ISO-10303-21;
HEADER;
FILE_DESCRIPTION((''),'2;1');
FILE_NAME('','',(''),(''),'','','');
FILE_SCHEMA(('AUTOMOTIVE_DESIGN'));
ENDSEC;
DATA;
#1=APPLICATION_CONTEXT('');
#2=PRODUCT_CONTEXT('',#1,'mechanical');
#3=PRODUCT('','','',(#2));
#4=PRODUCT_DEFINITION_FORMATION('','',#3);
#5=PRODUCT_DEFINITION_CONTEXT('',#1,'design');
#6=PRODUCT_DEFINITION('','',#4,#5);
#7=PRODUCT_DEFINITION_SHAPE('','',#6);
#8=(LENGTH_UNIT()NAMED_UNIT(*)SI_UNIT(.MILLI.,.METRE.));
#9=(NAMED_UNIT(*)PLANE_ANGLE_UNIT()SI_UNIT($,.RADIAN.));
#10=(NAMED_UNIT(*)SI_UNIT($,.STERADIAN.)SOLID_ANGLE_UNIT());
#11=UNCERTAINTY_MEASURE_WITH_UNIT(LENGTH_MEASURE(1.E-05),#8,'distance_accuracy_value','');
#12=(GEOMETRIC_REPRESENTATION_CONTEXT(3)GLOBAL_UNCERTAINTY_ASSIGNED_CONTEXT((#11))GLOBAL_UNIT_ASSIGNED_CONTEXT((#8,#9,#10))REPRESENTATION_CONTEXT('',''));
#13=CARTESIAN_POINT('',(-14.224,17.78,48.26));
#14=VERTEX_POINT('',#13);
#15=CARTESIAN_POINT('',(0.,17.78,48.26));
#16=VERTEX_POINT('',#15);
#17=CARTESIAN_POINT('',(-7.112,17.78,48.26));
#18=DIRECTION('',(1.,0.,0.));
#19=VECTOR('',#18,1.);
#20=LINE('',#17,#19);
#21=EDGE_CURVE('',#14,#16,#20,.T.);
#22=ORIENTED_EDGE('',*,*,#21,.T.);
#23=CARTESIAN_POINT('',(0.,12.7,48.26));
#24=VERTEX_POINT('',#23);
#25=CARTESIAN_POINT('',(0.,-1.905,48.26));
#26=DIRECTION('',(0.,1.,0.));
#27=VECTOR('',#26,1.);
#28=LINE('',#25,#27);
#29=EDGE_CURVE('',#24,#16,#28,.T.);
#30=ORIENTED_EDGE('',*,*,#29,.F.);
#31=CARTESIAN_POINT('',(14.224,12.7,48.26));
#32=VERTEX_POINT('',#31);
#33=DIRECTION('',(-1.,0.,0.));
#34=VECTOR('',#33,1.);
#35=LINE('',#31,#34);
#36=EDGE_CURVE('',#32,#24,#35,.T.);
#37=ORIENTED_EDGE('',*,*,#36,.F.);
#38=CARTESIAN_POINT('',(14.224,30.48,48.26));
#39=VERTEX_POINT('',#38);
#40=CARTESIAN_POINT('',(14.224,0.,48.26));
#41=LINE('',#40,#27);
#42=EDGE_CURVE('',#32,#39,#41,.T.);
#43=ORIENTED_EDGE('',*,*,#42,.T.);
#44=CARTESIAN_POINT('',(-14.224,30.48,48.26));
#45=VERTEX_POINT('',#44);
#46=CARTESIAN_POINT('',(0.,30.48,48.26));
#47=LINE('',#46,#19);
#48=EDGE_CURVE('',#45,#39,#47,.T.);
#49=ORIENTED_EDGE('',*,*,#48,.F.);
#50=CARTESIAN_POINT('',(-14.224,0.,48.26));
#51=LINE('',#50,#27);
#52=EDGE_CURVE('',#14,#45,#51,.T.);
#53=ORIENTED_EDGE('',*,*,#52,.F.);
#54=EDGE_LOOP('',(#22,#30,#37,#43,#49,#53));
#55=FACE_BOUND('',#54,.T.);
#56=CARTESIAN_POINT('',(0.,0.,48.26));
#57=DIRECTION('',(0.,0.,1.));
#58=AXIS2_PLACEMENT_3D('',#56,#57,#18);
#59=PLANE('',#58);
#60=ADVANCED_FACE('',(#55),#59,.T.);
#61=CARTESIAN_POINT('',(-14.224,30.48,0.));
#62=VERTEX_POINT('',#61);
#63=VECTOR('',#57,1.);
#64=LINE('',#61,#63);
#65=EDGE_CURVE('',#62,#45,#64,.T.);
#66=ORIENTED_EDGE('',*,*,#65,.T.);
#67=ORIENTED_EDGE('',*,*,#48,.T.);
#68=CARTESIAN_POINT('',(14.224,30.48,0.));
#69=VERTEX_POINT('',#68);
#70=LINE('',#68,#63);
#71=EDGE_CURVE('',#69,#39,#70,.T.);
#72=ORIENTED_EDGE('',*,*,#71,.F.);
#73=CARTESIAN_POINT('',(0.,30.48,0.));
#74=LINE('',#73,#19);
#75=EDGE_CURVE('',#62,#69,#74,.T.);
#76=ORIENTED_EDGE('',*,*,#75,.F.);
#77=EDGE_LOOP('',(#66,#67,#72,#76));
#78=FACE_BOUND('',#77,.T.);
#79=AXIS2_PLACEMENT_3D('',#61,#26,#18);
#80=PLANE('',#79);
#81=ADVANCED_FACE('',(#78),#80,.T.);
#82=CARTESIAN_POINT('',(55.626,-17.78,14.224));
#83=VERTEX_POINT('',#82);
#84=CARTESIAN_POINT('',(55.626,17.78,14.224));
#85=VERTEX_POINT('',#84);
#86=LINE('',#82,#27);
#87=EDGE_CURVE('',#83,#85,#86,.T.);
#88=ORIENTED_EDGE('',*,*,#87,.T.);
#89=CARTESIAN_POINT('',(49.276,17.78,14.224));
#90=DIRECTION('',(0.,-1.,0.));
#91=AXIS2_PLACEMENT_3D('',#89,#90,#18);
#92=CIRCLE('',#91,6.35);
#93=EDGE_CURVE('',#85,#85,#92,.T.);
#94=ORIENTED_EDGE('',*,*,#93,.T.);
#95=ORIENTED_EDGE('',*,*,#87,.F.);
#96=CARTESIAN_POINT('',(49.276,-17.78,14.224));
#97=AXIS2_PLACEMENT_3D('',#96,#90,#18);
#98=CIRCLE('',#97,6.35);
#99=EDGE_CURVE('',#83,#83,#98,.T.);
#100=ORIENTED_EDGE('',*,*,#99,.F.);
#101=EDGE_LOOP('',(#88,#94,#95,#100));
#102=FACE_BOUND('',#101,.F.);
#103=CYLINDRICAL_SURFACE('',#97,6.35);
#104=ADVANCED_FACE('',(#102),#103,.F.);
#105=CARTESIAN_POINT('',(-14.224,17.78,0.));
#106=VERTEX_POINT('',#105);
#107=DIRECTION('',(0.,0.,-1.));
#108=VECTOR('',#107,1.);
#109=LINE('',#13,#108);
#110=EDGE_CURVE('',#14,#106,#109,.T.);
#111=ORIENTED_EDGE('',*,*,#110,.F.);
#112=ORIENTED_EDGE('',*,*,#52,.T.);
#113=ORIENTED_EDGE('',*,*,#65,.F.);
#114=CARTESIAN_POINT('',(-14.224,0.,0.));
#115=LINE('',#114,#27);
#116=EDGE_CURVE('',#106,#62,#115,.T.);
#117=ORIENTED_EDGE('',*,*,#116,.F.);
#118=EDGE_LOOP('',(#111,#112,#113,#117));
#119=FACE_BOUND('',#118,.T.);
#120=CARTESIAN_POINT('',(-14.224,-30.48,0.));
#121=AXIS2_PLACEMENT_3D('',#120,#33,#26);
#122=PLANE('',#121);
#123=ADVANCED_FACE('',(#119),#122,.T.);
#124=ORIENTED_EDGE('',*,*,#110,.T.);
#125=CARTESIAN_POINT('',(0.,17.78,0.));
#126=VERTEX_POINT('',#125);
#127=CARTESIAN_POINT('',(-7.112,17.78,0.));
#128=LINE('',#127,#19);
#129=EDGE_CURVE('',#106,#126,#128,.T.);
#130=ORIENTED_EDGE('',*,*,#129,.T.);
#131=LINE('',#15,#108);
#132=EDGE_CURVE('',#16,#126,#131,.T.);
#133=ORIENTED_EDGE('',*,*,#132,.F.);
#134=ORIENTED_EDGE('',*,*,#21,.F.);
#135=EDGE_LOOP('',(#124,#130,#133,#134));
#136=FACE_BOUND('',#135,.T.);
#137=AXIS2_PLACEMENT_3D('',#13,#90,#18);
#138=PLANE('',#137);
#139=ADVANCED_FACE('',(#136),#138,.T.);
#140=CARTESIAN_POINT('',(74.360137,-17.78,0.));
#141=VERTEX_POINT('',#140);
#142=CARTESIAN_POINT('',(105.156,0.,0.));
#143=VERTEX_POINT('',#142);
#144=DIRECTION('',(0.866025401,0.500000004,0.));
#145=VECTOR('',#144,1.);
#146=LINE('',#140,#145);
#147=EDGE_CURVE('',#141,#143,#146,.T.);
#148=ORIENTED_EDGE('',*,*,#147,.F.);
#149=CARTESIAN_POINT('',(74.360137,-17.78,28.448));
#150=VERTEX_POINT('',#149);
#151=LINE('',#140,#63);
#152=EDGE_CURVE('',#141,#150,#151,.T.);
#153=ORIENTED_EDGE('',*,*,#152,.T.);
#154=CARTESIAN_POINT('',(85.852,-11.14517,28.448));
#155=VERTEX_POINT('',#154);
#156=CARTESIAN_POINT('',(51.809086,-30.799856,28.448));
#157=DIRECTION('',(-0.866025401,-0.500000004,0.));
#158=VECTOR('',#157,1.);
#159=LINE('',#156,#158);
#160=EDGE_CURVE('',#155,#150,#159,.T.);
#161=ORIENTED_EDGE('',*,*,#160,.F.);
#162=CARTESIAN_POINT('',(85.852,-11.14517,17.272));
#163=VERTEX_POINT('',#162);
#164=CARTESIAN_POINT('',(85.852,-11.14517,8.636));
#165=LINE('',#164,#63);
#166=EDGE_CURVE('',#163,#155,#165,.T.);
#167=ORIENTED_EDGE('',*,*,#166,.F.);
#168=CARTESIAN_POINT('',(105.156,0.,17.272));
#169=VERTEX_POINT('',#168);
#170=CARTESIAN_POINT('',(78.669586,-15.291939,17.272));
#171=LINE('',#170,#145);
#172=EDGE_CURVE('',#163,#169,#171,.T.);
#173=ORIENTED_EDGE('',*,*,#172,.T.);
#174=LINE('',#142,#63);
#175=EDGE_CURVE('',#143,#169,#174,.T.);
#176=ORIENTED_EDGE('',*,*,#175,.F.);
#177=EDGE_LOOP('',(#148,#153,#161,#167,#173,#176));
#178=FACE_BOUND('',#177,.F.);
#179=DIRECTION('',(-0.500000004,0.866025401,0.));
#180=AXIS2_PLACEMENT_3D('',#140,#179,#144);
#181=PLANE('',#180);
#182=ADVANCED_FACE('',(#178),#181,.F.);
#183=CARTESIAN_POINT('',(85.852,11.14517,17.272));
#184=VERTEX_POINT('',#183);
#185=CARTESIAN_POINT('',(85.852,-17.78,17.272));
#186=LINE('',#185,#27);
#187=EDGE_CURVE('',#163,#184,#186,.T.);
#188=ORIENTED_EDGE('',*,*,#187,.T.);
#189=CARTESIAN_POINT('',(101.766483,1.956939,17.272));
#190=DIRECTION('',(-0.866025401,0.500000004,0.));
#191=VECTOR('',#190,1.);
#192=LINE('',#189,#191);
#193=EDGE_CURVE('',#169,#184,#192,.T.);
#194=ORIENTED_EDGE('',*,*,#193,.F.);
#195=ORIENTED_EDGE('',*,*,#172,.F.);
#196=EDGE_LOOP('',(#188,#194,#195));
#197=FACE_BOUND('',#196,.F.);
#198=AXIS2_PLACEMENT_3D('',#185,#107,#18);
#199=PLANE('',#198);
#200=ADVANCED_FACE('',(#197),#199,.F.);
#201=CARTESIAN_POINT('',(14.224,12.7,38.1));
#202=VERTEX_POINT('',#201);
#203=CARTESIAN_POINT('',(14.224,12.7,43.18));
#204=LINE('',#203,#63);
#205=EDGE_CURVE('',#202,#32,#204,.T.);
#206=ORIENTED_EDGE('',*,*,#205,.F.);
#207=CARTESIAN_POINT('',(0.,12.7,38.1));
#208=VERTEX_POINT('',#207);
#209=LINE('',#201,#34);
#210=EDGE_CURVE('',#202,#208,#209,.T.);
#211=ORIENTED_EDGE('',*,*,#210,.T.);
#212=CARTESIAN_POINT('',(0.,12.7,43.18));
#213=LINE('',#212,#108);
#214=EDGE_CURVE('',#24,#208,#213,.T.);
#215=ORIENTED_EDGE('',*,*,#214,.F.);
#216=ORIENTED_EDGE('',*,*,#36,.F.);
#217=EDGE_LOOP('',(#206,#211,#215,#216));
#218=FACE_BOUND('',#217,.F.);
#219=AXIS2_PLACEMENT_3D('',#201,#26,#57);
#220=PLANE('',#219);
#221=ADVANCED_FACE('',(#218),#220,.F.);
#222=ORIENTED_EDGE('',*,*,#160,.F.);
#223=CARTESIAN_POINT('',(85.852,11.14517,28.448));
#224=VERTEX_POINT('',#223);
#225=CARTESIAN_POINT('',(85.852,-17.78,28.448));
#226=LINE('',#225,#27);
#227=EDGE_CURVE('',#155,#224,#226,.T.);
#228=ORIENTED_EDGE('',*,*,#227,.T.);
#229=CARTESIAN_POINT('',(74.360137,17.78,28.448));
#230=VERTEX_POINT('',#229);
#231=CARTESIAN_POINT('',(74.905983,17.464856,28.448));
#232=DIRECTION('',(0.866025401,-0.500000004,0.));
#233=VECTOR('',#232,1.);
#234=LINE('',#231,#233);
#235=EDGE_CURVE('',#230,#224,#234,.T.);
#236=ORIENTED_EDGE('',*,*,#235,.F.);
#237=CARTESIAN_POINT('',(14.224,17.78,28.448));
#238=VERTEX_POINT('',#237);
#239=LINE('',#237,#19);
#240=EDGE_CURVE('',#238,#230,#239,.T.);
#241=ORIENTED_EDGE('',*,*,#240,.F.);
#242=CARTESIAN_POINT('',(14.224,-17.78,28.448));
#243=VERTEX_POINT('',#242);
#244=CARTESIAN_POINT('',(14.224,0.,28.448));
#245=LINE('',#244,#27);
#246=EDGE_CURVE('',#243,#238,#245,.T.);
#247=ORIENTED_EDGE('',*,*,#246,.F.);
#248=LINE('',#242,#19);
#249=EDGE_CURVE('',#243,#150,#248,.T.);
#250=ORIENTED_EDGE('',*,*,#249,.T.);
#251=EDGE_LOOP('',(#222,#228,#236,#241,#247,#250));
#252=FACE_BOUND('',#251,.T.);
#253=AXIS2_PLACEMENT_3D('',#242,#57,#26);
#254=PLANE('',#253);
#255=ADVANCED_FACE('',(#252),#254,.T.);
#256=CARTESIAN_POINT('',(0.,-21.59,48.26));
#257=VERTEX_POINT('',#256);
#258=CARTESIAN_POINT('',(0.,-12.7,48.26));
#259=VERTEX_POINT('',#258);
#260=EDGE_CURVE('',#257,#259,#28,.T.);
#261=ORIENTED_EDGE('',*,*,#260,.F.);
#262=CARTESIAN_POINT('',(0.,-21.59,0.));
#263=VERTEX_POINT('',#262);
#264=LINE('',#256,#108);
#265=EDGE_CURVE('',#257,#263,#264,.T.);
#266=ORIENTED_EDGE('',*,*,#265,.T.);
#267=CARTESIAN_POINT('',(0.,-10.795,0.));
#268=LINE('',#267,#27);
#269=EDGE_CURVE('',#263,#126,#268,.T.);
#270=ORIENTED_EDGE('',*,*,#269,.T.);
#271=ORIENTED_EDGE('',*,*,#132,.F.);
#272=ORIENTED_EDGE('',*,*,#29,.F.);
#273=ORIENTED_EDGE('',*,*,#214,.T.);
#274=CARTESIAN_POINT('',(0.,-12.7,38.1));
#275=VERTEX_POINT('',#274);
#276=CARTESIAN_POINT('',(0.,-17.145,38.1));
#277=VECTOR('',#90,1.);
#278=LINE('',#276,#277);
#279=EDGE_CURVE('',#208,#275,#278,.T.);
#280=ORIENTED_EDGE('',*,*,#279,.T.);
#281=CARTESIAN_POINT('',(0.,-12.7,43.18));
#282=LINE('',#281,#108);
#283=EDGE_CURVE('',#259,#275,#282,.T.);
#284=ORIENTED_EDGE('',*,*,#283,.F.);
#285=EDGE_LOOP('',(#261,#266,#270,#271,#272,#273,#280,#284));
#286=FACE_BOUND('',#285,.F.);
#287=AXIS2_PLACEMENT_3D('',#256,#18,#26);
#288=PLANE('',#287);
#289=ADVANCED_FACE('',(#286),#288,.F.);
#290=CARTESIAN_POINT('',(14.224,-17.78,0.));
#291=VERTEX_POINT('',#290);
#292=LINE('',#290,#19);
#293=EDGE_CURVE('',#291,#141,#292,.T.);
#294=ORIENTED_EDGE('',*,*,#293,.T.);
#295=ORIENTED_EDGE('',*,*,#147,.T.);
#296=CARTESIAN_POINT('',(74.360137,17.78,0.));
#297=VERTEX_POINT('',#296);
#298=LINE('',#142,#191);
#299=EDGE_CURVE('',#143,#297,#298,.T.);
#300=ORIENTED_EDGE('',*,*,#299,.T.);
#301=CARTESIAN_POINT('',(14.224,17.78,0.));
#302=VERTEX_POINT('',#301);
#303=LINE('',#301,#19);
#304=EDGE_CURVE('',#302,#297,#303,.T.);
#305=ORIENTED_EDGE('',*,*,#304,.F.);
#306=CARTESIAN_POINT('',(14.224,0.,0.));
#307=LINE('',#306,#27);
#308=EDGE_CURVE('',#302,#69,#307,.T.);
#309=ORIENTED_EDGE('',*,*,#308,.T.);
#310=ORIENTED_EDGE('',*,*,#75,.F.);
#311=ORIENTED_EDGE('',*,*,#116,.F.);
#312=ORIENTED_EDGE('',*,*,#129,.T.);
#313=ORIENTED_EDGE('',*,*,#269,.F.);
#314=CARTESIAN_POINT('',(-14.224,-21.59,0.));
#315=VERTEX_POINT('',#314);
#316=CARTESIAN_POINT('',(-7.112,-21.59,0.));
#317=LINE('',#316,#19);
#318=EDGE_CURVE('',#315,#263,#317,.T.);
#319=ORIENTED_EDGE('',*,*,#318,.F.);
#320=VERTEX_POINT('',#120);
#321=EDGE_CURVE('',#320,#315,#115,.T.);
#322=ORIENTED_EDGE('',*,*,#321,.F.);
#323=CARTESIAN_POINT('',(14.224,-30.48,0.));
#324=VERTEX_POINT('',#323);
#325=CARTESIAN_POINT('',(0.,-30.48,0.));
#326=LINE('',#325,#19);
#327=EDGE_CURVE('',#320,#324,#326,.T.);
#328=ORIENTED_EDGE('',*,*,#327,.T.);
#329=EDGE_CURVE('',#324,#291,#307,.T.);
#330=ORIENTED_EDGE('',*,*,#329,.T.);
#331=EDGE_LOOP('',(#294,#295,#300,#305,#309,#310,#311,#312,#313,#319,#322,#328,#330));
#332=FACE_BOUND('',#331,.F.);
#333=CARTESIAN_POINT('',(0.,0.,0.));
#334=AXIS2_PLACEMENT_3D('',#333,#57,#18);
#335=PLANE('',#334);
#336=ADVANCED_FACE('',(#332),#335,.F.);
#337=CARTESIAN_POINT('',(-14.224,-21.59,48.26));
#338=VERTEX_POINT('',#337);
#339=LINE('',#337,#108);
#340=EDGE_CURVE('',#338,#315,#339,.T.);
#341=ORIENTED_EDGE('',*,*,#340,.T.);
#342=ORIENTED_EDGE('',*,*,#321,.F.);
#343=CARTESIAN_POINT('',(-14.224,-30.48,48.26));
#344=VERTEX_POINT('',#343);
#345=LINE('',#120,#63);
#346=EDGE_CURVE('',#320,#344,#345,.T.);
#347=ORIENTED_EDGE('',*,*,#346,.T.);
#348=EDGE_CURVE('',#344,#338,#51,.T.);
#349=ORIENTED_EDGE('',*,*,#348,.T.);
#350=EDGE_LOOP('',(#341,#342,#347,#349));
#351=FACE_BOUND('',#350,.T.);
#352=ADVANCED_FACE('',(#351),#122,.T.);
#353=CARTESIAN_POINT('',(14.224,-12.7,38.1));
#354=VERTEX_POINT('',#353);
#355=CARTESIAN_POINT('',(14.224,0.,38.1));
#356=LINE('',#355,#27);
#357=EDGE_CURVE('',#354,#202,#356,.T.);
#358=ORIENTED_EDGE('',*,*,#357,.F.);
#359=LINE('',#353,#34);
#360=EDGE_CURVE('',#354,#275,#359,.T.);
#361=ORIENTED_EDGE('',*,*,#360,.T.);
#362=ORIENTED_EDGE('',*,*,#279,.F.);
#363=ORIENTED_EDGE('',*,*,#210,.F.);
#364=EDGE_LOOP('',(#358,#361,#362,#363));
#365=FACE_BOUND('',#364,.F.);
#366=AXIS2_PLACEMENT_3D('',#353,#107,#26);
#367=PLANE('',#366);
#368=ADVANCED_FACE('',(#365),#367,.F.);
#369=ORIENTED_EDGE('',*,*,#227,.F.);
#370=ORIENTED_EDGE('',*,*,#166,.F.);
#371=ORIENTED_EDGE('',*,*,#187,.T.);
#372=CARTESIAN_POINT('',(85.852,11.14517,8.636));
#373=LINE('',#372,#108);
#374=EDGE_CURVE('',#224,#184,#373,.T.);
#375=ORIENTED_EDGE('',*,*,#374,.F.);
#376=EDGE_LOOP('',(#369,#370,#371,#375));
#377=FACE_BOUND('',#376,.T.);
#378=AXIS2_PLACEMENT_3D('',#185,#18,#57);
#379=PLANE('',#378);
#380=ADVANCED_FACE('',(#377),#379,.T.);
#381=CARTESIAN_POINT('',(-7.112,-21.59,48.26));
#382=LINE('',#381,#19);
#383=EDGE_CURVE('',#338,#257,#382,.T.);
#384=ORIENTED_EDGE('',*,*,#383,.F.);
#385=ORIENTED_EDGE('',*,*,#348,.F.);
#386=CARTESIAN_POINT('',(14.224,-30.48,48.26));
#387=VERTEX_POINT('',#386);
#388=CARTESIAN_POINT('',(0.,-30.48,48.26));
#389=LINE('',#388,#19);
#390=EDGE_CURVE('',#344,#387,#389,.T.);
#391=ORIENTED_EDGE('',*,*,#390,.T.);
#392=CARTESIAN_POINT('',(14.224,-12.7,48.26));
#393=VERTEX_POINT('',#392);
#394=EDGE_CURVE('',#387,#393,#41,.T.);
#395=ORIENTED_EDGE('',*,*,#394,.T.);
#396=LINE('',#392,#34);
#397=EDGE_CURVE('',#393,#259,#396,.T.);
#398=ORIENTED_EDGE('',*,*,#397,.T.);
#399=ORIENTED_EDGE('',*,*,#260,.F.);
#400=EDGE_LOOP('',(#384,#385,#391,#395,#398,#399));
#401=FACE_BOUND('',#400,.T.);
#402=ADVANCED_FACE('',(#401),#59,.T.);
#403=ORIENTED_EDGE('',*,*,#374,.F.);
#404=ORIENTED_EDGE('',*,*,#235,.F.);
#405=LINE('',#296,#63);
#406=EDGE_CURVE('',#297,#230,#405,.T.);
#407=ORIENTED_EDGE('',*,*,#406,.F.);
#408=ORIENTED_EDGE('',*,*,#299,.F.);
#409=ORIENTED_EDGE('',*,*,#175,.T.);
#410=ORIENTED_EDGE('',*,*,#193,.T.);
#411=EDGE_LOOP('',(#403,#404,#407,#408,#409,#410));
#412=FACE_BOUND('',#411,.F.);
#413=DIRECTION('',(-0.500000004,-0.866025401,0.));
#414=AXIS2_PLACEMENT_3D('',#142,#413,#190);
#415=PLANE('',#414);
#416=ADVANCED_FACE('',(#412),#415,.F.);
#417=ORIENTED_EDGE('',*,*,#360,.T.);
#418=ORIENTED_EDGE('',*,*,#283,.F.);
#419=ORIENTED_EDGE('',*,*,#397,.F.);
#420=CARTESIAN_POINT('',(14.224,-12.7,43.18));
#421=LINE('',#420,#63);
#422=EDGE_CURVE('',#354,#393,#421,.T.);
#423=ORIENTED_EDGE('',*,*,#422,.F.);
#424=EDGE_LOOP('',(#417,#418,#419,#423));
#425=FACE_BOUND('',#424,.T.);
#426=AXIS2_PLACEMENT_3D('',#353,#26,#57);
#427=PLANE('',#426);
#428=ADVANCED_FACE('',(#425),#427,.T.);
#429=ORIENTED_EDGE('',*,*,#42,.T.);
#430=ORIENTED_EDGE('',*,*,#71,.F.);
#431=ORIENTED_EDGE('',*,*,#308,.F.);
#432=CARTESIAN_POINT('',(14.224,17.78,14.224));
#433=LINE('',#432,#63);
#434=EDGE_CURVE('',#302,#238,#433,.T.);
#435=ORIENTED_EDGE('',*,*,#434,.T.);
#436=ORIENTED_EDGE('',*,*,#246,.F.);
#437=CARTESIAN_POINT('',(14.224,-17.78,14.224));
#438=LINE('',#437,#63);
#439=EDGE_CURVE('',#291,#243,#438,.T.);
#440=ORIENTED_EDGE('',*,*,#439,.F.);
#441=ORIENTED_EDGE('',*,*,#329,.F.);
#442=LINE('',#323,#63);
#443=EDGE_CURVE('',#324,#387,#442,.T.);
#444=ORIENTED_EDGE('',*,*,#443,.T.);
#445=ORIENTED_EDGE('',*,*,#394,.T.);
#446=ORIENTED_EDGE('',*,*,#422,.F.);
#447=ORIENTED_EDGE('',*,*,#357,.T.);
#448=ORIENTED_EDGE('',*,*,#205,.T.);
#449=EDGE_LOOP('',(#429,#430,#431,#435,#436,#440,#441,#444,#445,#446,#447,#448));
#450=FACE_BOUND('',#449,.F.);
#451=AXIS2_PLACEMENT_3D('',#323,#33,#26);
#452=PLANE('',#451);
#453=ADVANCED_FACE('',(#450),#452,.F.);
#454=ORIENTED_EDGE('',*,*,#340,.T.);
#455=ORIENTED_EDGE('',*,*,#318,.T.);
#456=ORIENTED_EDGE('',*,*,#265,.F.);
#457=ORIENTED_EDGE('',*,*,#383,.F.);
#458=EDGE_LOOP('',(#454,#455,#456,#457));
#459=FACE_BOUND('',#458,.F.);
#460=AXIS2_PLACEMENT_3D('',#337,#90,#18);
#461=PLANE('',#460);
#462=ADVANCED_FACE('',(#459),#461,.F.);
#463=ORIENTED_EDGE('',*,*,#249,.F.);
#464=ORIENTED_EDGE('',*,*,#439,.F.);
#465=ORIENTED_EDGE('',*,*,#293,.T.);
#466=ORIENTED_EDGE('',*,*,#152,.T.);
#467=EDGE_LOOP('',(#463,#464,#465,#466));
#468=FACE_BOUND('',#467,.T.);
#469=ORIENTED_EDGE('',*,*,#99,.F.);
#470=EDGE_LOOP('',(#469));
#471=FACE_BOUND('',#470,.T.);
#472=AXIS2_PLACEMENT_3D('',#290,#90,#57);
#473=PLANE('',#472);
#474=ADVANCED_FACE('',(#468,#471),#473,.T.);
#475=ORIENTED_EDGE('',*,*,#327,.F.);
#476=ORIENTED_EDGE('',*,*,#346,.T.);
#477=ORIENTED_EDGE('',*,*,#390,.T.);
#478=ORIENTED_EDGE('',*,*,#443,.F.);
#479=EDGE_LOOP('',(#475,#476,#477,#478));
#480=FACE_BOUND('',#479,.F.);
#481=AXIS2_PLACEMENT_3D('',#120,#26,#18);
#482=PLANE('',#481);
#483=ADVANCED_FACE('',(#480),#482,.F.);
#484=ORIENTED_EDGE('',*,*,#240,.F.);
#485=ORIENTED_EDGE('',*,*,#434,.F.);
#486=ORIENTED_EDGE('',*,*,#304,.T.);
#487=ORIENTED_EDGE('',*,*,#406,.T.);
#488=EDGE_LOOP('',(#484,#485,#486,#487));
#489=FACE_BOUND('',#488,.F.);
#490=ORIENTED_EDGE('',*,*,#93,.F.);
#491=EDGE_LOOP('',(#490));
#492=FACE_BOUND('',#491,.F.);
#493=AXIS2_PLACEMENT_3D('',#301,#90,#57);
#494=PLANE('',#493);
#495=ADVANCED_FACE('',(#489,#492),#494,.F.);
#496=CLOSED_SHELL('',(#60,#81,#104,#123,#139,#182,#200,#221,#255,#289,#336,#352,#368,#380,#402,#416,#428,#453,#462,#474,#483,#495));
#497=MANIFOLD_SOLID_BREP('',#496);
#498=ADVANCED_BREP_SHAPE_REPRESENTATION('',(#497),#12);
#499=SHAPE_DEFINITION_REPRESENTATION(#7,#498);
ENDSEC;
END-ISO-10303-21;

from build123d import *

# Parameters (mm, degrees)
F0_W      = 28.448
F0_H      = 60.96
F1_DEPTH  = 48.26
F2_W      = 25.4
F2_H      = 10.16
F3_DEPTH  = 28.449
F4_W      = 14.224
F4_H      = 39.37
F5_DEPTH  = 48.261
F6_W      = 35.56
F6_H      = 28.448
F7_DEPTH  = 90.932
F8_W      = 19.304
F8_H      = 11.176
F9_DEPTH  = 48.261
F11_DEPTH = 48.261
F12_R     = 6.35
F13_DEPTH = 48.261


with BuildPart() as f1:
    # F0 (on Top) → F1 (new body)
    with BuildSketch(Plane.XY):
        Rectangle(F0_W, F0_H)
    extrude(amount=F1_DEPTH)

    # F2 (on face) → F3 (cut, through all)
    with BuildSketch(Plane.YZ.offset(14.224)):
        with Locations((0, 43.18)):
            Rectangle(F2_W, F2_H)
    extrude(amount=-F3_DEPTH, mode=Mode.SUBTRACT)

    # F4 (on face) → F5 (cut, through all)
    with BuildSketch(Plane.XY.offset(48.26)):
        with Locations((-7.112, -1.905)):
            Rectangle(F4_W, F4_H)
    extrude(amount=-F5_DEPTH, mode=Mode.SUBTRACT)

    # F6 (on face) → F7 (join)
    with BuildSketch(Plane.YZ.offset(14.224)):
        with Locations((0, 14.224)):
            Rectangle(F6_W, F6_H)
    extrude(amount=F7_DEPTH)

    # F8 (on face) → F9 (cut, through all)
    with BuildSketch(Plane.XZ.offset(17.78)):
        with Locations((95.504, 22.86)):
            Rectangle(F8_W, F8_H)
    extrude(amount=-F9_DEPTH, mode=Mode.SUBTRACT)

    # F10 (on face) → F11 (cut, through all)
    with BuildSketch(Plane(origin=(0, 0, 0), x_dir=(1, 0, 0), z_dir=(0, 0, -1))):
        Polygon((74.360137, 17.78), (105.156, 0), (105.156, 17.78), align=None)
        Polygon((105.156, -17.78), (105.156, 0), (74.360137, -17.78), align=None)
    extrude(amount=-F11_DEPTH, mode=Mode.SUBTRACT)

    # F12 (on face) → F13 (cut, through all)
    with BuildSketch(Plane.XZ.offset(17.78)):
        with Locations((49.276, 14.224)):
            Circle(F12_R)
    extrude(amount=-F13_DEPTH, mode=Mode.SUBTRACT)


solid = f1.part
